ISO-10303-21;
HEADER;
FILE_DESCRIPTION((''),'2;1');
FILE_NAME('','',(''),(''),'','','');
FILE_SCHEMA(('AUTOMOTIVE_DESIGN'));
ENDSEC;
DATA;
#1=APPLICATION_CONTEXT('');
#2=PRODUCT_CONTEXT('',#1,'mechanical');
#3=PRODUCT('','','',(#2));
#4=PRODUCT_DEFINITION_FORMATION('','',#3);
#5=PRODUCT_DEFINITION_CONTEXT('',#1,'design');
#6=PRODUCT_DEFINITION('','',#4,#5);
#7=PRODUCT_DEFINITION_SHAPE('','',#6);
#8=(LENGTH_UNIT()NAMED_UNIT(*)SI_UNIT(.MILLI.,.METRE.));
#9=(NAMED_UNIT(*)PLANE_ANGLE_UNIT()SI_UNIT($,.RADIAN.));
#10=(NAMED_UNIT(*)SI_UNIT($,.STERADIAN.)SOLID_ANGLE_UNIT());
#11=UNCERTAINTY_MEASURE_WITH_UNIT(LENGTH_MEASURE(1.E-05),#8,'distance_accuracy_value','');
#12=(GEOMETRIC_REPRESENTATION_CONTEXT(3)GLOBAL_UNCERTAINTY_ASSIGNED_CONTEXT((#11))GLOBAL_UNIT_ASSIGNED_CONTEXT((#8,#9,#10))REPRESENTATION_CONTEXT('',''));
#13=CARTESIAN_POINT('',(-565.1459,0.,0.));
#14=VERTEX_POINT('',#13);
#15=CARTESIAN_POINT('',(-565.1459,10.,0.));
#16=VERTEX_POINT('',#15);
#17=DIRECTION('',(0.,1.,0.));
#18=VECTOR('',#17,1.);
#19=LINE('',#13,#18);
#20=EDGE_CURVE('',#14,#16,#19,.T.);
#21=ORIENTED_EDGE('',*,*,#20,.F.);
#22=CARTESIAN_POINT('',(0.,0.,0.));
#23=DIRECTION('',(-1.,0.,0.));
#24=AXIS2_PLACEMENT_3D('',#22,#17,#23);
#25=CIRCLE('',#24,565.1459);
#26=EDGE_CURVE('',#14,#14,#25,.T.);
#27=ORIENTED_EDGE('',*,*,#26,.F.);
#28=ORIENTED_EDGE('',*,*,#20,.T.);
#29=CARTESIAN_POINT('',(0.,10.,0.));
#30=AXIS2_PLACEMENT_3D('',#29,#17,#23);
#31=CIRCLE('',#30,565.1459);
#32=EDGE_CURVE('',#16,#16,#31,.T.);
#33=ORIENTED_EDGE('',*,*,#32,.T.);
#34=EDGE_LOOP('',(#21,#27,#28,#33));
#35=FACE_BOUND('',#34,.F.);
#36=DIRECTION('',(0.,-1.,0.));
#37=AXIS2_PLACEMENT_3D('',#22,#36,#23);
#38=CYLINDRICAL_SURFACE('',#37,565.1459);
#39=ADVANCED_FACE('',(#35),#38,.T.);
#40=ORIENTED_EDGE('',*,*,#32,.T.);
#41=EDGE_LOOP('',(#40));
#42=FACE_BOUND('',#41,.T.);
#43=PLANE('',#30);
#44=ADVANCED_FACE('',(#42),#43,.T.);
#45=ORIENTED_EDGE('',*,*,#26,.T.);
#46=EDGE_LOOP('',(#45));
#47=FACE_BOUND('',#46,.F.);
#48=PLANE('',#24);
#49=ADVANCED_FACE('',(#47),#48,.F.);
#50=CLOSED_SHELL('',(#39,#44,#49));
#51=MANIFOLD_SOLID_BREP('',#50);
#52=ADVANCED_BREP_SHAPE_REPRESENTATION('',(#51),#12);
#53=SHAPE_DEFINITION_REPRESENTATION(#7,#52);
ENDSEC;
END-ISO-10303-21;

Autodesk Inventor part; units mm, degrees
ref_plane "YZ Plane" through (0, 0, 0) normal (1, 0, 0) x (0, 1, 0)
ref_plane "XZ Plane" through (0, 0, 0) normal (0, 1, 0) x (-1, 0, 0)
ref_plane "XY Plane" through (0, 0, 0) normal (0, 0, 1) x (1, 0, 0)
sketch "草图1" plane through (0, 0, 0) normal (0, 1, 0) x (-1, 0, 0)
  circle A0 centre (0, 0) radius 565.1459
  dimension "d0" = 10
extrude "拉伸1" add sketch "草图1" along normal blind 10
properties part number "land"
